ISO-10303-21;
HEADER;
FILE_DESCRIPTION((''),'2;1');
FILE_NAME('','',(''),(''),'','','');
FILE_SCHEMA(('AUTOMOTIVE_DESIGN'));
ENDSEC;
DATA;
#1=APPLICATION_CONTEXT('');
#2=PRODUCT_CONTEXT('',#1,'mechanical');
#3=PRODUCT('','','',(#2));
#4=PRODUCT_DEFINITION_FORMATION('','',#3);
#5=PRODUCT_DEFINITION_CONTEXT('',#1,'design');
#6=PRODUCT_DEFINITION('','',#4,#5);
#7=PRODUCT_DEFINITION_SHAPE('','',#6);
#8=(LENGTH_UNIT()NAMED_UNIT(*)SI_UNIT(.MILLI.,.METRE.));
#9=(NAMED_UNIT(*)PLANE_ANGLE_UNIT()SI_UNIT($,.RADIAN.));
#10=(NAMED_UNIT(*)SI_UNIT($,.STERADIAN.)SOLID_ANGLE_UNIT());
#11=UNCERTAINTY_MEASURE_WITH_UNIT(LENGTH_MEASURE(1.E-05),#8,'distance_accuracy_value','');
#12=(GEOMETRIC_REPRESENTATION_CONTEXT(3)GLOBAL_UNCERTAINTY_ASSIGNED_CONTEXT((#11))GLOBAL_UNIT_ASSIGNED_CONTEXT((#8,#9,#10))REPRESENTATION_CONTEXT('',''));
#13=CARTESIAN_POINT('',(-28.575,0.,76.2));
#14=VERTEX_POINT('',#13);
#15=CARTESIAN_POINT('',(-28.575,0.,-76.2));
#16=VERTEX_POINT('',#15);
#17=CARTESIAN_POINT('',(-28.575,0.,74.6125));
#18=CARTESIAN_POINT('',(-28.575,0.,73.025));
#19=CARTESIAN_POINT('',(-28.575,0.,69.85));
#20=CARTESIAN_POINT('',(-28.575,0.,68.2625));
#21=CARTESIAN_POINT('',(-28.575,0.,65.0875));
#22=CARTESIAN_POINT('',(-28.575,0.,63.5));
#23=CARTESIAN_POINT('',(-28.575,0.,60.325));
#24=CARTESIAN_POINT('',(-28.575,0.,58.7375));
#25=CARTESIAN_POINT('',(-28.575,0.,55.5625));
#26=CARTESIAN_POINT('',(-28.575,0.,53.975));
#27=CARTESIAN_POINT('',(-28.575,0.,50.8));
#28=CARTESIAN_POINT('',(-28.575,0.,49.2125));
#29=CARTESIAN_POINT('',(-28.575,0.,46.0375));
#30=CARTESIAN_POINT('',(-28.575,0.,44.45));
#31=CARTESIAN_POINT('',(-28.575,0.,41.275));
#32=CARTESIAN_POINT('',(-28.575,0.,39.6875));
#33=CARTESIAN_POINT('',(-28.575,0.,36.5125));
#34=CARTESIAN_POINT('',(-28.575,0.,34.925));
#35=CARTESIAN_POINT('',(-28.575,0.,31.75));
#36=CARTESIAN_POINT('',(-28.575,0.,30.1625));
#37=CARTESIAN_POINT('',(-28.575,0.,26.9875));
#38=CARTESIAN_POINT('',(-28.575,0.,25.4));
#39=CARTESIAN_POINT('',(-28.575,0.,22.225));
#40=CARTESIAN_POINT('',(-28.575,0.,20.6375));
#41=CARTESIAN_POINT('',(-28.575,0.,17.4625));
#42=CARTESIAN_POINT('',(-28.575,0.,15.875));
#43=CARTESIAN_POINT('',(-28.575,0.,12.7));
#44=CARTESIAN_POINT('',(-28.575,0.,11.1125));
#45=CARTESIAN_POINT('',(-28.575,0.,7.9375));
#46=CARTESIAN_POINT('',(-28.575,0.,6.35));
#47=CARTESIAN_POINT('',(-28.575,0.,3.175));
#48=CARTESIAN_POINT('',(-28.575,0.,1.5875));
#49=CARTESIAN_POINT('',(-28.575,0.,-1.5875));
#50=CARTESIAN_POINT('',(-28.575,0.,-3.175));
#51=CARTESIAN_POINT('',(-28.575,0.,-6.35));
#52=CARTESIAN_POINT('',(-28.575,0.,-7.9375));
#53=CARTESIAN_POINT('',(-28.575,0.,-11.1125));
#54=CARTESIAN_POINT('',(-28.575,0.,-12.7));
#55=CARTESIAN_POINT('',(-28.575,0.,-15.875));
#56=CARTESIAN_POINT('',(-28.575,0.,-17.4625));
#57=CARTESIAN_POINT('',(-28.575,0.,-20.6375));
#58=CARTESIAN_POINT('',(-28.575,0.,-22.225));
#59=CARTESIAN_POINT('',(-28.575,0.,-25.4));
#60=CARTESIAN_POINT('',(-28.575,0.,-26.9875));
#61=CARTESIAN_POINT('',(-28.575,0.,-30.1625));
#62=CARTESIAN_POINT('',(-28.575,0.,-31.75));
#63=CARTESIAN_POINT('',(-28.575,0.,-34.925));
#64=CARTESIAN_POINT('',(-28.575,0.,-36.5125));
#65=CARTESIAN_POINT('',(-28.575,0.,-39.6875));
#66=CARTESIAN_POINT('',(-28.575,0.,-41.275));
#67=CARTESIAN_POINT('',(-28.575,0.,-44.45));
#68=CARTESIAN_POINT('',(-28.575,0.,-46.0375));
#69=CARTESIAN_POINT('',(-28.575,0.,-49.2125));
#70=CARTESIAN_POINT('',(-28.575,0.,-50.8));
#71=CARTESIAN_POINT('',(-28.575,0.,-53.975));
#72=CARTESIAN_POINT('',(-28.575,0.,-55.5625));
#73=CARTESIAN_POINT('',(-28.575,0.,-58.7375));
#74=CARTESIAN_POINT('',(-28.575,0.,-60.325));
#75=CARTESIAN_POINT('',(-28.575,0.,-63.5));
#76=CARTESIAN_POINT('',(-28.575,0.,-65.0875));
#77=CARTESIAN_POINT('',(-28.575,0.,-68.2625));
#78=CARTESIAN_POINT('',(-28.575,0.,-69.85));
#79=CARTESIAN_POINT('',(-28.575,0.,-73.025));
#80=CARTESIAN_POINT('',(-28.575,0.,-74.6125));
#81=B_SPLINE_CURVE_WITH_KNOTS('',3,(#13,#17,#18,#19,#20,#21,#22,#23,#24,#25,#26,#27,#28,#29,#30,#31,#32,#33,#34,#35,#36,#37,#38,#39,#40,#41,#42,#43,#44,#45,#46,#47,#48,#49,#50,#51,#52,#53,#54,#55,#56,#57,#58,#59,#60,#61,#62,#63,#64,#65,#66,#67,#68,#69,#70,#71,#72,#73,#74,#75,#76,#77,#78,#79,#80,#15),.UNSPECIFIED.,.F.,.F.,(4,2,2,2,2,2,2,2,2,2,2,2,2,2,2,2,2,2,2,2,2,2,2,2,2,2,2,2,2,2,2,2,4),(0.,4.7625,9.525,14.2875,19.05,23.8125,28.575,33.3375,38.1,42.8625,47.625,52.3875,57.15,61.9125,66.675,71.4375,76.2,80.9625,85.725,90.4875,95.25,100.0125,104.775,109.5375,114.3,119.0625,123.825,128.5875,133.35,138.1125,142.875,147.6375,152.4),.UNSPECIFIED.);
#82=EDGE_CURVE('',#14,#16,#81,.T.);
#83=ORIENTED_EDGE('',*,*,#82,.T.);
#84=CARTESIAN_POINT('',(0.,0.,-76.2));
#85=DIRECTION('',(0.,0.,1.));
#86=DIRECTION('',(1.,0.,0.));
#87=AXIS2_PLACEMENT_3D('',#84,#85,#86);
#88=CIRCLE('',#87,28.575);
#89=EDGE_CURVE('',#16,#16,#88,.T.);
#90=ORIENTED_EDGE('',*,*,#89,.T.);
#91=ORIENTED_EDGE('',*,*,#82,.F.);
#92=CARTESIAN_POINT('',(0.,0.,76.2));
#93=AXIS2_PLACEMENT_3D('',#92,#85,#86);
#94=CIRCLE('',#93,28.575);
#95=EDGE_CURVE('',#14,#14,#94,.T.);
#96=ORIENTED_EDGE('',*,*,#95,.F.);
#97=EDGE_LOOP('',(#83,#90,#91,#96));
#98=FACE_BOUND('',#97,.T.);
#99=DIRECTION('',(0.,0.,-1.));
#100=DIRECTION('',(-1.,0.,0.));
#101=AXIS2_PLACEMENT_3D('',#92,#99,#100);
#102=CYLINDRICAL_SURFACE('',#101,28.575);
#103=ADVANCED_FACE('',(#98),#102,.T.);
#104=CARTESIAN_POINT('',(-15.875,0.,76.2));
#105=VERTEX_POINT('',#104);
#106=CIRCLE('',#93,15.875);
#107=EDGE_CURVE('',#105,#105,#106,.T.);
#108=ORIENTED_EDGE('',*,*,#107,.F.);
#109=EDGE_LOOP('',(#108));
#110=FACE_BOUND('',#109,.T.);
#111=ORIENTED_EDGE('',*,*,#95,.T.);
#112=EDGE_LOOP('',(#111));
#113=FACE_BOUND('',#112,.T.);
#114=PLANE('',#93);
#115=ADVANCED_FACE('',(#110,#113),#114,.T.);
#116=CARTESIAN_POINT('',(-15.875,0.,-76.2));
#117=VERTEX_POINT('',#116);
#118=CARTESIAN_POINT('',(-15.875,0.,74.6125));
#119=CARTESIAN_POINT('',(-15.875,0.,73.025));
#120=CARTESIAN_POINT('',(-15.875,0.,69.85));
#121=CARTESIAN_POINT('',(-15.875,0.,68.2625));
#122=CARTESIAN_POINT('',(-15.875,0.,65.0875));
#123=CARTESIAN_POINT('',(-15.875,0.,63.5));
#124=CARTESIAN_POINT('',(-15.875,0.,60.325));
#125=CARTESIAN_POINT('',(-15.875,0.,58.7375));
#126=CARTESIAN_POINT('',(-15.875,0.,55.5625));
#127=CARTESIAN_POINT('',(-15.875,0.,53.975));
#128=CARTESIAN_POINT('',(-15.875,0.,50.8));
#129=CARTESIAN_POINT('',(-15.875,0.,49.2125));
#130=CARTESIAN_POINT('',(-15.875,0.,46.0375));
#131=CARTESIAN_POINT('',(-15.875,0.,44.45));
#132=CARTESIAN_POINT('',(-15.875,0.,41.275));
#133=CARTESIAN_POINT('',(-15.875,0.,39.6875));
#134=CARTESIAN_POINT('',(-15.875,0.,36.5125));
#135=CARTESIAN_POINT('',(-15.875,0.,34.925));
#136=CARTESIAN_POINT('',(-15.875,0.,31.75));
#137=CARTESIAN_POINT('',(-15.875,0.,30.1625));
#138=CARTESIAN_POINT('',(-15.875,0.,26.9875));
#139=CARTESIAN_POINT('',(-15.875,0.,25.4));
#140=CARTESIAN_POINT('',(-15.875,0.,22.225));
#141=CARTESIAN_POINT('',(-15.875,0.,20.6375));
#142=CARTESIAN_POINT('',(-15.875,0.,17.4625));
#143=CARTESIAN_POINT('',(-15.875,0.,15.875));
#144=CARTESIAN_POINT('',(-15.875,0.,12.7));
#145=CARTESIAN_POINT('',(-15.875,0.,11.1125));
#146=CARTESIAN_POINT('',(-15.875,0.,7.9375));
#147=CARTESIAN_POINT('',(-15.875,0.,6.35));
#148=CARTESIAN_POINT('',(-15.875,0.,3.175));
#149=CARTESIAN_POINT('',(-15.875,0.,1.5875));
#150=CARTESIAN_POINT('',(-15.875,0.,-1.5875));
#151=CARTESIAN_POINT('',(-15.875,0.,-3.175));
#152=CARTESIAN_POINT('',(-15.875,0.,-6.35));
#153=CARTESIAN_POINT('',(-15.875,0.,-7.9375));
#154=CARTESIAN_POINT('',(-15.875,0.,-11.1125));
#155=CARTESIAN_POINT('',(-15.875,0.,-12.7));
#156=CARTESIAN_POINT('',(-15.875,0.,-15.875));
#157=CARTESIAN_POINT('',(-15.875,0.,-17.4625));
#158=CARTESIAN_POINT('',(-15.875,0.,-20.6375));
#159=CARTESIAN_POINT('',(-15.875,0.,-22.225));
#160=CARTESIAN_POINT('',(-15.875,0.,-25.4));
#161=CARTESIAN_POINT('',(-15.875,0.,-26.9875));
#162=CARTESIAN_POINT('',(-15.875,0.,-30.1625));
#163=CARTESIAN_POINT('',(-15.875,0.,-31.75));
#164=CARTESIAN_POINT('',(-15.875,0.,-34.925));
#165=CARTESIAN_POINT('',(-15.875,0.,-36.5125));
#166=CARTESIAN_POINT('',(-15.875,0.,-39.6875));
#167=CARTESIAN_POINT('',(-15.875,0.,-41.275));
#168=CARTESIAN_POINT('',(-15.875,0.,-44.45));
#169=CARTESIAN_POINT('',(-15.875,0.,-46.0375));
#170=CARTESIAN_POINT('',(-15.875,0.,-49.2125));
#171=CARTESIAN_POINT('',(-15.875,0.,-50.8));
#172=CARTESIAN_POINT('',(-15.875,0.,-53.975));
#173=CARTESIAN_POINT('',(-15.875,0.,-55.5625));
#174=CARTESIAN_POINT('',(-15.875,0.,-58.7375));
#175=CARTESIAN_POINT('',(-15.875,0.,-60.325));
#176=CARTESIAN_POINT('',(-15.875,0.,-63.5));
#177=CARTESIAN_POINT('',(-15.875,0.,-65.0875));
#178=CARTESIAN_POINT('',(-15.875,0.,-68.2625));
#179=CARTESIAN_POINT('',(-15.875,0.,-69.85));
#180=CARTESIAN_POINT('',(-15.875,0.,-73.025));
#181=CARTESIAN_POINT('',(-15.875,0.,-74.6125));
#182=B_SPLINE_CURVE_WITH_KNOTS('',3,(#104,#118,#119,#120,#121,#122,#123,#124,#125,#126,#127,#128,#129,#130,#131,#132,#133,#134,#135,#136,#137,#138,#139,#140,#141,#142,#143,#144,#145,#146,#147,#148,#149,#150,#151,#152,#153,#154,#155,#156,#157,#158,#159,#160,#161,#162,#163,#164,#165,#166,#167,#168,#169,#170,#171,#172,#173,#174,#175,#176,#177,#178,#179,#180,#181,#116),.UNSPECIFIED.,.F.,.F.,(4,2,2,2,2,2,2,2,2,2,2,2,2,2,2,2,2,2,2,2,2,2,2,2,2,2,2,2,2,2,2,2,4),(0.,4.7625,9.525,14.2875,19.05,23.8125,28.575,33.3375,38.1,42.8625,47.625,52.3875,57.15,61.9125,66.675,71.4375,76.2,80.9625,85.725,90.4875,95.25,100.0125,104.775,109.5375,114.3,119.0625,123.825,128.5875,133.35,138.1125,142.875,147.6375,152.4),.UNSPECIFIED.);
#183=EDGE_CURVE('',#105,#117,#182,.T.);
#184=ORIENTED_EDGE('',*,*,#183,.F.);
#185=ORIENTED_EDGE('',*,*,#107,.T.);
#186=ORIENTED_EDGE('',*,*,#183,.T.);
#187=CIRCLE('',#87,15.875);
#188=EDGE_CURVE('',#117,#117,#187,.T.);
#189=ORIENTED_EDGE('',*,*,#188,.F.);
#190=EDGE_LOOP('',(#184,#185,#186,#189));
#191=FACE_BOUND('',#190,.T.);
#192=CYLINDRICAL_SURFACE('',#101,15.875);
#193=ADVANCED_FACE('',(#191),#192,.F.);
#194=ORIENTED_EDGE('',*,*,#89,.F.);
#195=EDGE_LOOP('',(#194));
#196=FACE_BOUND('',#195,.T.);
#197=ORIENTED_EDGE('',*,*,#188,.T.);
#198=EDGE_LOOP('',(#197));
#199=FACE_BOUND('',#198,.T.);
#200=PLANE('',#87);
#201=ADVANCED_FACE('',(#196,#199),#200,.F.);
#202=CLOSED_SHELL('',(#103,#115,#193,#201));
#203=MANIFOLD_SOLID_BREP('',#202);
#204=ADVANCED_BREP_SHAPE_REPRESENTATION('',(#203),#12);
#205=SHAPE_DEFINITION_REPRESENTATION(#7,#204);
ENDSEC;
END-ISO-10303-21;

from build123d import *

# Parameters (mm, degrees)
SKETCH3_R           = 28.575
SKETCH3_R_2         = 15.875
BOSS_EXTRUDE1_DEPTH = 76.2


with BuildPart() as part:
    # Sketch3 → Boss-Extrude1 (new, symmetric)
    with BuildSketch(Plane.XY):
        with Locations(Location((0, 0, 0), (0, 0, 180))):
            Circle(SKETCH3_R)
        with Locations(Location((0, 0, 0), (0, 0, 180))):
            Circle(SKETCH3_R_2, mode=Mode.SUBTRACT)
    extrude(amount=BOSS_EXTRUDE1_DEPTH, both=True)


solid = part.part
